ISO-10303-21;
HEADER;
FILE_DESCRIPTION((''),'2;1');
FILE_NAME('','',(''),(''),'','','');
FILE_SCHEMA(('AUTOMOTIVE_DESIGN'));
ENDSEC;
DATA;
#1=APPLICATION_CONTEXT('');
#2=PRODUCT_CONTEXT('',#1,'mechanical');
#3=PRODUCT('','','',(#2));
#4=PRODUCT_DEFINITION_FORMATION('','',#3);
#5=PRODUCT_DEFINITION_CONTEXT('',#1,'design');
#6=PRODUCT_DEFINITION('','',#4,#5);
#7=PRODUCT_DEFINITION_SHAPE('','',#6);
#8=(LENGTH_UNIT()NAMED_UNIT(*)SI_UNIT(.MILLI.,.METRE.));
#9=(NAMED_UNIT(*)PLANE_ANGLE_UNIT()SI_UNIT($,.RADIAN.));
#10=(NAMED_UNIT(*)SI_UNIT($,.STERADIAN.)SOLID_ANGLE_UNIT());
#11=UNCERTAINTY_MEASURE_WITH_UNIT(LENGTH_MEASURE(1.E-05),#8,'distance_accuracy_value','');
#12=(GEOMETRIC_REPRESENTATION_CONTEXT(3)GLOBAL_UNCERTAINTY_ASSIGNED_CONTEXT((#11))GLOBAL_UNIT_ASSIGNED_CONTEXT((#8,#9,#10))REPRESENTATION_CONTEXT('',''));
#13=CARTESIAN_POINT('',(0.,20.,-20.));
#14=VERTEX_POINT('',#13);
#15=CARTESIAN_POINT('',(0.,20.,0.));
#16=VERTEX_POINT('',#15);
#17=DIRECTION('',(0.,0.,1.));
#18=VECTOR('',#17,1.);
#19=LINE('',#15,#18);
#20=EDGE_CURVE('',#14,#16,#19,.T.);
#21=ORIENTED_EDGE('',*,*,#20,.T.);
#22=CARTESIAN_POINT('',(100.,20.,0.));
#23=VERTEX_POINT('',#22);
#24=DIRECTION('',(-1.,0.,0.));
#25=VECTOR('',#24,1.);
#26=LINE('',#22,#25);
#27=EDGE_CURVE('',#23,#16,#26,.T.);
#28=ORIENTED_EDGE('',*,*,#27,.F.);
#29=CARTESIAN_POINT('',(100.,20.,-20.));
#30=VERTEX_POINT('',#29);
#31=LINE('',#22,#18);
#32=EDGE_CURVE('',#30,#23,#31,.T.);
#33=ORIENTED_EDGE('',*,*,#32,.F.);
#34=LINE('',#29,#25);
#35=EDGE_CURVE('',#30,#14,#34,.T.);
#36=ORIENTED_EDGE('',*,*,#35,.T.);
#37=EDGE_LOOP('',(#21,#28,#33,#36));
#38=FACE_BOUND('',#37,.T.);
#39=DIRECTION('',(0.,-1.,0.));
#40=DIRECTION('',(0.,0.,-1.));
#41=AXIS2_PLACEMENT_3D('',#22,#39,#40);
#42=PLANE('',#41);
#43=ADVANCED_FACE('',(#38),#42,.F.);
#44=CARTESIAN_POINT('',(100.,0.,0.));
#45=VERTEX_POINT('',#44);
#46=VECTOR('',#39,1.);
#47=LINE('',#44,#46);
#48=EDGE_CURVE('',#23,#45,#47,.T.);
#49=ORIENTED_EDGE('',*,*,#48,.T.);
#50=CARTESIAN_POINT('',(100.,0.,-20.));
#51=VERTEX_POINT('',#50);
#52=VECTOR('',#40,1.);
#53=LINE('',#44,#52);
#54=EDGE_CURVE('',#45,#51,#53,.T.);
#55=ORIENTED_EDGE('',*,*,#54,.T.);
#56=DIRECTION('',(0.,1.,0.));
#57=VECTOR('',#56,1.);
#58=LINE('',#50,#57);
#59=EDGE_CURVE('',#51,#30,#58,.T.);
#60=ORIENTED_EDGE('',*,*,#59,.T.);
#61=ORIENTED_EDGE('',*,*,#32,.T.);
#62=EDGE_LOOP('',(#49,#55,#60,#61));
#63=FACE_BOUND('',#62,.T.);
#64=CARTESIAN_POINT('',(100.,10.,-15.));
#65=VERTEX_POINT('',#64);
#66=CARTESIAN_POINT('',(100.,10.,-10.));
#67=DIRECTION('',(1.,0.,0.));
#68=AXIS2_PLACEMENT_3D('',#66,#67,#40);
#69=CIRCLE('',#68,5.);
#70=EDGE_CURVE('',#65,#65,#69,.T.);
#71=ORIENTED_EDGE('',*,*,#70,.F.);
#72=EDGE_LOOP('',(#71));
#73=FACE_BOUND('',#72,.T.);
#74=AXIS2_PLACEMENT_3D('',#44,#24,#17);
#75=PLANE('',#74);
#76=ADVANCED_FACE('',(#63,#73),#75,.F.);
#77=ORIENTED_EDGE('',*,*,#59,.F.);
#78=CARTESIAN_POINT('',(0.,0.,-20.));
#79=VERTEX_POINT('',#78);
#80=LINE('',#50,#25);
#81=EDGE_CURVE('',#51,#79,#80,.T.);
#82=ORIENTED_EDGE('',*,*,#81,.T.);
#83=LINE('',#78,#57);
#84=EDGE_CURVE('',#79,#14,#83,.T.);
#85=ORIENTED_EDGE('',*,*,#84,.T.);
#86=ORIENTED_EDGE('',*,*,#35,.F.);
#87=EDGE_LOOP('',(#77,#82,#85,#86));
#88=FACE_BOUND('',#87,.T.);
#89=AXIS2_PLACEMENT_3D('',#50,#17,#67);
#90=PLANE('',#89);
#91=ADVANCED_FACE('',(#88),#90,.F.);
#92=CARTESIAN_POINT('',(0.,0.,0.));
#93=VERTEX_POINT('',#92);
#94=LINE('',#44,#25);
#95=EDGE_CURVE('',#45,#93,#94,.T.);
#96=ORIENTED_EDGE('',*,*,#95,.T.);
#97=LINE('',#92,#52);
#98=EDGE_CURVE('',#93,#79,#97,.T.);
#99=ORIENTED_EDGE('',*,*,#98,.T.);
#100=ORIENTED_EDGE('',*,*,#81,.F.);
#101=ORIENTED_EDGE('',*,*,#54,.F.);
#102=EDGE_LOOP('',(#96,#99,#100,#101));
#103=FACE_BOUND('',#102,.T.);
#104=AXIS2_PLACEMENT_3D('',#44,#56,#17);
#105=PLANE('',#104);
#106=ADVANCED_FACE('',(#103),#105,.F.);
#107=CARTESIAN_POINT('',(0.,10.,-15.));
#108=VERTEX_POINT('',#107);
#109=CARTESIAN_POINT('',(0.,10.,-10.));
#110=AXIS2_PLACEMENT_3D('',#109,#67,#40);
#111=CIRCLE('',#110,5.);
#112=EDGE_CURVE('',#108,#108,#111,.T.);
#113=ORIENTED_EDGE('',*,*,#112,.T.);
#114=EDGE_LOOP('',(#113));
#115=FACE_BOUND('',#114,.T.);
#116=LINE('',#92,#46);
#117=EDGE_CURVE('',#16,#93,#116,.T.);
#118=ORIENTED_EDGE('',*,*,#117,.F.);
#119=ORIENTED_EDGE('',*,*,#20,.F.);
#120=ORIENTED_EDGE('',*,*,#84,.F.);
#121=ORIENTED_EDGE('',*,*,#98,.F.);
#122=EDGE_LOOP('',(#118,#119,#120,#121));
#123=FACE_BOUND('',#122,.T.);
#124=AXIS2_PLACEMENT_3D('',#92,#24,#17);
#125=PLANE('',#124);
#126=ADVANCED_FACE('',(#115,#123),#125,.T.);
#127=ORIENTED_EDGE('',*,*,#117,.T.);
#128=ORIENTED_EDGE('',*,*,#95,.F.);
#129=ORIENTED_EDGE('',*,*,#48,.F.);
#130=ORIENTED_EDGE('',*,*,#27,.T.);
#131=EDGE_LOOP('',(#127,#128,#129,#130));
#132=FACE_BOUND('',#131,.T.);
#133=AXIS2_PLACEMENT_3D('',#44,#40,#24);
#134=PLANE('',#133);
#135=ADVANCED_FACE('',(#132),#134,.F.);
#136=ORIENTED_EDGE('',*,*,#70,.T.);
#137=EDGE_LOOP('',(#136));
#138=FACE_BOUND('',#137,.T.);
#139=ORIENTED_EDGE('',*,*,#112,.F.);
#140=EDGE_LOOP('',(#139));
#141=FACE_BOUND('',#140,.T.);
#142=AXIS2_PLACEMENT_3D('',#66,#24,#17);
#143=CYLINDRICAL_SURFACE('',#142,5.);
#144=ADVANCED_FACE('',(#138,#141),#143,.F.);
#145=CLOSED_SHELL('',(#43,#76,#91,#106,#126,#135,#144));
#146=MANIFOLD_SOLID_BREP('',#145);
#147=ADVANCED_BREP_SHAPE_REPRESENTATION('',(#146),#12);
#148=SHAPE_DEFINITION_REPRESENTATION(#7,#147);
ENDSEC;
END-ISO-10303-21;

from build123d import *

# Parameters (mm, degrees)
CROQUIS1_W              = 20
CROQUIS1_H              = 20
CROQUIS1_R              = 5
SALIENTE_EXTRUIR1_DEPTH = 100


with BuildPart() as part:
    # Croquis1 → Saliente-Extruir1 (new body)
    with BuildSketch(Plane(origin=(0, 0, 0), x_dir=(0, 0, -1), z_dir=(1, 0, 0))):
        with Locations((10, 10)):
            Rectangle(CROQUIS1_W, CROQUIS1_H)
        with Locations((10, 10)):
            Circle(CROQUIS1_R, mode=Mode.SUBTRACT)
    extrude(amount=SALIENTE_EXTRUIR1_DEPTH)


solid = part.part
